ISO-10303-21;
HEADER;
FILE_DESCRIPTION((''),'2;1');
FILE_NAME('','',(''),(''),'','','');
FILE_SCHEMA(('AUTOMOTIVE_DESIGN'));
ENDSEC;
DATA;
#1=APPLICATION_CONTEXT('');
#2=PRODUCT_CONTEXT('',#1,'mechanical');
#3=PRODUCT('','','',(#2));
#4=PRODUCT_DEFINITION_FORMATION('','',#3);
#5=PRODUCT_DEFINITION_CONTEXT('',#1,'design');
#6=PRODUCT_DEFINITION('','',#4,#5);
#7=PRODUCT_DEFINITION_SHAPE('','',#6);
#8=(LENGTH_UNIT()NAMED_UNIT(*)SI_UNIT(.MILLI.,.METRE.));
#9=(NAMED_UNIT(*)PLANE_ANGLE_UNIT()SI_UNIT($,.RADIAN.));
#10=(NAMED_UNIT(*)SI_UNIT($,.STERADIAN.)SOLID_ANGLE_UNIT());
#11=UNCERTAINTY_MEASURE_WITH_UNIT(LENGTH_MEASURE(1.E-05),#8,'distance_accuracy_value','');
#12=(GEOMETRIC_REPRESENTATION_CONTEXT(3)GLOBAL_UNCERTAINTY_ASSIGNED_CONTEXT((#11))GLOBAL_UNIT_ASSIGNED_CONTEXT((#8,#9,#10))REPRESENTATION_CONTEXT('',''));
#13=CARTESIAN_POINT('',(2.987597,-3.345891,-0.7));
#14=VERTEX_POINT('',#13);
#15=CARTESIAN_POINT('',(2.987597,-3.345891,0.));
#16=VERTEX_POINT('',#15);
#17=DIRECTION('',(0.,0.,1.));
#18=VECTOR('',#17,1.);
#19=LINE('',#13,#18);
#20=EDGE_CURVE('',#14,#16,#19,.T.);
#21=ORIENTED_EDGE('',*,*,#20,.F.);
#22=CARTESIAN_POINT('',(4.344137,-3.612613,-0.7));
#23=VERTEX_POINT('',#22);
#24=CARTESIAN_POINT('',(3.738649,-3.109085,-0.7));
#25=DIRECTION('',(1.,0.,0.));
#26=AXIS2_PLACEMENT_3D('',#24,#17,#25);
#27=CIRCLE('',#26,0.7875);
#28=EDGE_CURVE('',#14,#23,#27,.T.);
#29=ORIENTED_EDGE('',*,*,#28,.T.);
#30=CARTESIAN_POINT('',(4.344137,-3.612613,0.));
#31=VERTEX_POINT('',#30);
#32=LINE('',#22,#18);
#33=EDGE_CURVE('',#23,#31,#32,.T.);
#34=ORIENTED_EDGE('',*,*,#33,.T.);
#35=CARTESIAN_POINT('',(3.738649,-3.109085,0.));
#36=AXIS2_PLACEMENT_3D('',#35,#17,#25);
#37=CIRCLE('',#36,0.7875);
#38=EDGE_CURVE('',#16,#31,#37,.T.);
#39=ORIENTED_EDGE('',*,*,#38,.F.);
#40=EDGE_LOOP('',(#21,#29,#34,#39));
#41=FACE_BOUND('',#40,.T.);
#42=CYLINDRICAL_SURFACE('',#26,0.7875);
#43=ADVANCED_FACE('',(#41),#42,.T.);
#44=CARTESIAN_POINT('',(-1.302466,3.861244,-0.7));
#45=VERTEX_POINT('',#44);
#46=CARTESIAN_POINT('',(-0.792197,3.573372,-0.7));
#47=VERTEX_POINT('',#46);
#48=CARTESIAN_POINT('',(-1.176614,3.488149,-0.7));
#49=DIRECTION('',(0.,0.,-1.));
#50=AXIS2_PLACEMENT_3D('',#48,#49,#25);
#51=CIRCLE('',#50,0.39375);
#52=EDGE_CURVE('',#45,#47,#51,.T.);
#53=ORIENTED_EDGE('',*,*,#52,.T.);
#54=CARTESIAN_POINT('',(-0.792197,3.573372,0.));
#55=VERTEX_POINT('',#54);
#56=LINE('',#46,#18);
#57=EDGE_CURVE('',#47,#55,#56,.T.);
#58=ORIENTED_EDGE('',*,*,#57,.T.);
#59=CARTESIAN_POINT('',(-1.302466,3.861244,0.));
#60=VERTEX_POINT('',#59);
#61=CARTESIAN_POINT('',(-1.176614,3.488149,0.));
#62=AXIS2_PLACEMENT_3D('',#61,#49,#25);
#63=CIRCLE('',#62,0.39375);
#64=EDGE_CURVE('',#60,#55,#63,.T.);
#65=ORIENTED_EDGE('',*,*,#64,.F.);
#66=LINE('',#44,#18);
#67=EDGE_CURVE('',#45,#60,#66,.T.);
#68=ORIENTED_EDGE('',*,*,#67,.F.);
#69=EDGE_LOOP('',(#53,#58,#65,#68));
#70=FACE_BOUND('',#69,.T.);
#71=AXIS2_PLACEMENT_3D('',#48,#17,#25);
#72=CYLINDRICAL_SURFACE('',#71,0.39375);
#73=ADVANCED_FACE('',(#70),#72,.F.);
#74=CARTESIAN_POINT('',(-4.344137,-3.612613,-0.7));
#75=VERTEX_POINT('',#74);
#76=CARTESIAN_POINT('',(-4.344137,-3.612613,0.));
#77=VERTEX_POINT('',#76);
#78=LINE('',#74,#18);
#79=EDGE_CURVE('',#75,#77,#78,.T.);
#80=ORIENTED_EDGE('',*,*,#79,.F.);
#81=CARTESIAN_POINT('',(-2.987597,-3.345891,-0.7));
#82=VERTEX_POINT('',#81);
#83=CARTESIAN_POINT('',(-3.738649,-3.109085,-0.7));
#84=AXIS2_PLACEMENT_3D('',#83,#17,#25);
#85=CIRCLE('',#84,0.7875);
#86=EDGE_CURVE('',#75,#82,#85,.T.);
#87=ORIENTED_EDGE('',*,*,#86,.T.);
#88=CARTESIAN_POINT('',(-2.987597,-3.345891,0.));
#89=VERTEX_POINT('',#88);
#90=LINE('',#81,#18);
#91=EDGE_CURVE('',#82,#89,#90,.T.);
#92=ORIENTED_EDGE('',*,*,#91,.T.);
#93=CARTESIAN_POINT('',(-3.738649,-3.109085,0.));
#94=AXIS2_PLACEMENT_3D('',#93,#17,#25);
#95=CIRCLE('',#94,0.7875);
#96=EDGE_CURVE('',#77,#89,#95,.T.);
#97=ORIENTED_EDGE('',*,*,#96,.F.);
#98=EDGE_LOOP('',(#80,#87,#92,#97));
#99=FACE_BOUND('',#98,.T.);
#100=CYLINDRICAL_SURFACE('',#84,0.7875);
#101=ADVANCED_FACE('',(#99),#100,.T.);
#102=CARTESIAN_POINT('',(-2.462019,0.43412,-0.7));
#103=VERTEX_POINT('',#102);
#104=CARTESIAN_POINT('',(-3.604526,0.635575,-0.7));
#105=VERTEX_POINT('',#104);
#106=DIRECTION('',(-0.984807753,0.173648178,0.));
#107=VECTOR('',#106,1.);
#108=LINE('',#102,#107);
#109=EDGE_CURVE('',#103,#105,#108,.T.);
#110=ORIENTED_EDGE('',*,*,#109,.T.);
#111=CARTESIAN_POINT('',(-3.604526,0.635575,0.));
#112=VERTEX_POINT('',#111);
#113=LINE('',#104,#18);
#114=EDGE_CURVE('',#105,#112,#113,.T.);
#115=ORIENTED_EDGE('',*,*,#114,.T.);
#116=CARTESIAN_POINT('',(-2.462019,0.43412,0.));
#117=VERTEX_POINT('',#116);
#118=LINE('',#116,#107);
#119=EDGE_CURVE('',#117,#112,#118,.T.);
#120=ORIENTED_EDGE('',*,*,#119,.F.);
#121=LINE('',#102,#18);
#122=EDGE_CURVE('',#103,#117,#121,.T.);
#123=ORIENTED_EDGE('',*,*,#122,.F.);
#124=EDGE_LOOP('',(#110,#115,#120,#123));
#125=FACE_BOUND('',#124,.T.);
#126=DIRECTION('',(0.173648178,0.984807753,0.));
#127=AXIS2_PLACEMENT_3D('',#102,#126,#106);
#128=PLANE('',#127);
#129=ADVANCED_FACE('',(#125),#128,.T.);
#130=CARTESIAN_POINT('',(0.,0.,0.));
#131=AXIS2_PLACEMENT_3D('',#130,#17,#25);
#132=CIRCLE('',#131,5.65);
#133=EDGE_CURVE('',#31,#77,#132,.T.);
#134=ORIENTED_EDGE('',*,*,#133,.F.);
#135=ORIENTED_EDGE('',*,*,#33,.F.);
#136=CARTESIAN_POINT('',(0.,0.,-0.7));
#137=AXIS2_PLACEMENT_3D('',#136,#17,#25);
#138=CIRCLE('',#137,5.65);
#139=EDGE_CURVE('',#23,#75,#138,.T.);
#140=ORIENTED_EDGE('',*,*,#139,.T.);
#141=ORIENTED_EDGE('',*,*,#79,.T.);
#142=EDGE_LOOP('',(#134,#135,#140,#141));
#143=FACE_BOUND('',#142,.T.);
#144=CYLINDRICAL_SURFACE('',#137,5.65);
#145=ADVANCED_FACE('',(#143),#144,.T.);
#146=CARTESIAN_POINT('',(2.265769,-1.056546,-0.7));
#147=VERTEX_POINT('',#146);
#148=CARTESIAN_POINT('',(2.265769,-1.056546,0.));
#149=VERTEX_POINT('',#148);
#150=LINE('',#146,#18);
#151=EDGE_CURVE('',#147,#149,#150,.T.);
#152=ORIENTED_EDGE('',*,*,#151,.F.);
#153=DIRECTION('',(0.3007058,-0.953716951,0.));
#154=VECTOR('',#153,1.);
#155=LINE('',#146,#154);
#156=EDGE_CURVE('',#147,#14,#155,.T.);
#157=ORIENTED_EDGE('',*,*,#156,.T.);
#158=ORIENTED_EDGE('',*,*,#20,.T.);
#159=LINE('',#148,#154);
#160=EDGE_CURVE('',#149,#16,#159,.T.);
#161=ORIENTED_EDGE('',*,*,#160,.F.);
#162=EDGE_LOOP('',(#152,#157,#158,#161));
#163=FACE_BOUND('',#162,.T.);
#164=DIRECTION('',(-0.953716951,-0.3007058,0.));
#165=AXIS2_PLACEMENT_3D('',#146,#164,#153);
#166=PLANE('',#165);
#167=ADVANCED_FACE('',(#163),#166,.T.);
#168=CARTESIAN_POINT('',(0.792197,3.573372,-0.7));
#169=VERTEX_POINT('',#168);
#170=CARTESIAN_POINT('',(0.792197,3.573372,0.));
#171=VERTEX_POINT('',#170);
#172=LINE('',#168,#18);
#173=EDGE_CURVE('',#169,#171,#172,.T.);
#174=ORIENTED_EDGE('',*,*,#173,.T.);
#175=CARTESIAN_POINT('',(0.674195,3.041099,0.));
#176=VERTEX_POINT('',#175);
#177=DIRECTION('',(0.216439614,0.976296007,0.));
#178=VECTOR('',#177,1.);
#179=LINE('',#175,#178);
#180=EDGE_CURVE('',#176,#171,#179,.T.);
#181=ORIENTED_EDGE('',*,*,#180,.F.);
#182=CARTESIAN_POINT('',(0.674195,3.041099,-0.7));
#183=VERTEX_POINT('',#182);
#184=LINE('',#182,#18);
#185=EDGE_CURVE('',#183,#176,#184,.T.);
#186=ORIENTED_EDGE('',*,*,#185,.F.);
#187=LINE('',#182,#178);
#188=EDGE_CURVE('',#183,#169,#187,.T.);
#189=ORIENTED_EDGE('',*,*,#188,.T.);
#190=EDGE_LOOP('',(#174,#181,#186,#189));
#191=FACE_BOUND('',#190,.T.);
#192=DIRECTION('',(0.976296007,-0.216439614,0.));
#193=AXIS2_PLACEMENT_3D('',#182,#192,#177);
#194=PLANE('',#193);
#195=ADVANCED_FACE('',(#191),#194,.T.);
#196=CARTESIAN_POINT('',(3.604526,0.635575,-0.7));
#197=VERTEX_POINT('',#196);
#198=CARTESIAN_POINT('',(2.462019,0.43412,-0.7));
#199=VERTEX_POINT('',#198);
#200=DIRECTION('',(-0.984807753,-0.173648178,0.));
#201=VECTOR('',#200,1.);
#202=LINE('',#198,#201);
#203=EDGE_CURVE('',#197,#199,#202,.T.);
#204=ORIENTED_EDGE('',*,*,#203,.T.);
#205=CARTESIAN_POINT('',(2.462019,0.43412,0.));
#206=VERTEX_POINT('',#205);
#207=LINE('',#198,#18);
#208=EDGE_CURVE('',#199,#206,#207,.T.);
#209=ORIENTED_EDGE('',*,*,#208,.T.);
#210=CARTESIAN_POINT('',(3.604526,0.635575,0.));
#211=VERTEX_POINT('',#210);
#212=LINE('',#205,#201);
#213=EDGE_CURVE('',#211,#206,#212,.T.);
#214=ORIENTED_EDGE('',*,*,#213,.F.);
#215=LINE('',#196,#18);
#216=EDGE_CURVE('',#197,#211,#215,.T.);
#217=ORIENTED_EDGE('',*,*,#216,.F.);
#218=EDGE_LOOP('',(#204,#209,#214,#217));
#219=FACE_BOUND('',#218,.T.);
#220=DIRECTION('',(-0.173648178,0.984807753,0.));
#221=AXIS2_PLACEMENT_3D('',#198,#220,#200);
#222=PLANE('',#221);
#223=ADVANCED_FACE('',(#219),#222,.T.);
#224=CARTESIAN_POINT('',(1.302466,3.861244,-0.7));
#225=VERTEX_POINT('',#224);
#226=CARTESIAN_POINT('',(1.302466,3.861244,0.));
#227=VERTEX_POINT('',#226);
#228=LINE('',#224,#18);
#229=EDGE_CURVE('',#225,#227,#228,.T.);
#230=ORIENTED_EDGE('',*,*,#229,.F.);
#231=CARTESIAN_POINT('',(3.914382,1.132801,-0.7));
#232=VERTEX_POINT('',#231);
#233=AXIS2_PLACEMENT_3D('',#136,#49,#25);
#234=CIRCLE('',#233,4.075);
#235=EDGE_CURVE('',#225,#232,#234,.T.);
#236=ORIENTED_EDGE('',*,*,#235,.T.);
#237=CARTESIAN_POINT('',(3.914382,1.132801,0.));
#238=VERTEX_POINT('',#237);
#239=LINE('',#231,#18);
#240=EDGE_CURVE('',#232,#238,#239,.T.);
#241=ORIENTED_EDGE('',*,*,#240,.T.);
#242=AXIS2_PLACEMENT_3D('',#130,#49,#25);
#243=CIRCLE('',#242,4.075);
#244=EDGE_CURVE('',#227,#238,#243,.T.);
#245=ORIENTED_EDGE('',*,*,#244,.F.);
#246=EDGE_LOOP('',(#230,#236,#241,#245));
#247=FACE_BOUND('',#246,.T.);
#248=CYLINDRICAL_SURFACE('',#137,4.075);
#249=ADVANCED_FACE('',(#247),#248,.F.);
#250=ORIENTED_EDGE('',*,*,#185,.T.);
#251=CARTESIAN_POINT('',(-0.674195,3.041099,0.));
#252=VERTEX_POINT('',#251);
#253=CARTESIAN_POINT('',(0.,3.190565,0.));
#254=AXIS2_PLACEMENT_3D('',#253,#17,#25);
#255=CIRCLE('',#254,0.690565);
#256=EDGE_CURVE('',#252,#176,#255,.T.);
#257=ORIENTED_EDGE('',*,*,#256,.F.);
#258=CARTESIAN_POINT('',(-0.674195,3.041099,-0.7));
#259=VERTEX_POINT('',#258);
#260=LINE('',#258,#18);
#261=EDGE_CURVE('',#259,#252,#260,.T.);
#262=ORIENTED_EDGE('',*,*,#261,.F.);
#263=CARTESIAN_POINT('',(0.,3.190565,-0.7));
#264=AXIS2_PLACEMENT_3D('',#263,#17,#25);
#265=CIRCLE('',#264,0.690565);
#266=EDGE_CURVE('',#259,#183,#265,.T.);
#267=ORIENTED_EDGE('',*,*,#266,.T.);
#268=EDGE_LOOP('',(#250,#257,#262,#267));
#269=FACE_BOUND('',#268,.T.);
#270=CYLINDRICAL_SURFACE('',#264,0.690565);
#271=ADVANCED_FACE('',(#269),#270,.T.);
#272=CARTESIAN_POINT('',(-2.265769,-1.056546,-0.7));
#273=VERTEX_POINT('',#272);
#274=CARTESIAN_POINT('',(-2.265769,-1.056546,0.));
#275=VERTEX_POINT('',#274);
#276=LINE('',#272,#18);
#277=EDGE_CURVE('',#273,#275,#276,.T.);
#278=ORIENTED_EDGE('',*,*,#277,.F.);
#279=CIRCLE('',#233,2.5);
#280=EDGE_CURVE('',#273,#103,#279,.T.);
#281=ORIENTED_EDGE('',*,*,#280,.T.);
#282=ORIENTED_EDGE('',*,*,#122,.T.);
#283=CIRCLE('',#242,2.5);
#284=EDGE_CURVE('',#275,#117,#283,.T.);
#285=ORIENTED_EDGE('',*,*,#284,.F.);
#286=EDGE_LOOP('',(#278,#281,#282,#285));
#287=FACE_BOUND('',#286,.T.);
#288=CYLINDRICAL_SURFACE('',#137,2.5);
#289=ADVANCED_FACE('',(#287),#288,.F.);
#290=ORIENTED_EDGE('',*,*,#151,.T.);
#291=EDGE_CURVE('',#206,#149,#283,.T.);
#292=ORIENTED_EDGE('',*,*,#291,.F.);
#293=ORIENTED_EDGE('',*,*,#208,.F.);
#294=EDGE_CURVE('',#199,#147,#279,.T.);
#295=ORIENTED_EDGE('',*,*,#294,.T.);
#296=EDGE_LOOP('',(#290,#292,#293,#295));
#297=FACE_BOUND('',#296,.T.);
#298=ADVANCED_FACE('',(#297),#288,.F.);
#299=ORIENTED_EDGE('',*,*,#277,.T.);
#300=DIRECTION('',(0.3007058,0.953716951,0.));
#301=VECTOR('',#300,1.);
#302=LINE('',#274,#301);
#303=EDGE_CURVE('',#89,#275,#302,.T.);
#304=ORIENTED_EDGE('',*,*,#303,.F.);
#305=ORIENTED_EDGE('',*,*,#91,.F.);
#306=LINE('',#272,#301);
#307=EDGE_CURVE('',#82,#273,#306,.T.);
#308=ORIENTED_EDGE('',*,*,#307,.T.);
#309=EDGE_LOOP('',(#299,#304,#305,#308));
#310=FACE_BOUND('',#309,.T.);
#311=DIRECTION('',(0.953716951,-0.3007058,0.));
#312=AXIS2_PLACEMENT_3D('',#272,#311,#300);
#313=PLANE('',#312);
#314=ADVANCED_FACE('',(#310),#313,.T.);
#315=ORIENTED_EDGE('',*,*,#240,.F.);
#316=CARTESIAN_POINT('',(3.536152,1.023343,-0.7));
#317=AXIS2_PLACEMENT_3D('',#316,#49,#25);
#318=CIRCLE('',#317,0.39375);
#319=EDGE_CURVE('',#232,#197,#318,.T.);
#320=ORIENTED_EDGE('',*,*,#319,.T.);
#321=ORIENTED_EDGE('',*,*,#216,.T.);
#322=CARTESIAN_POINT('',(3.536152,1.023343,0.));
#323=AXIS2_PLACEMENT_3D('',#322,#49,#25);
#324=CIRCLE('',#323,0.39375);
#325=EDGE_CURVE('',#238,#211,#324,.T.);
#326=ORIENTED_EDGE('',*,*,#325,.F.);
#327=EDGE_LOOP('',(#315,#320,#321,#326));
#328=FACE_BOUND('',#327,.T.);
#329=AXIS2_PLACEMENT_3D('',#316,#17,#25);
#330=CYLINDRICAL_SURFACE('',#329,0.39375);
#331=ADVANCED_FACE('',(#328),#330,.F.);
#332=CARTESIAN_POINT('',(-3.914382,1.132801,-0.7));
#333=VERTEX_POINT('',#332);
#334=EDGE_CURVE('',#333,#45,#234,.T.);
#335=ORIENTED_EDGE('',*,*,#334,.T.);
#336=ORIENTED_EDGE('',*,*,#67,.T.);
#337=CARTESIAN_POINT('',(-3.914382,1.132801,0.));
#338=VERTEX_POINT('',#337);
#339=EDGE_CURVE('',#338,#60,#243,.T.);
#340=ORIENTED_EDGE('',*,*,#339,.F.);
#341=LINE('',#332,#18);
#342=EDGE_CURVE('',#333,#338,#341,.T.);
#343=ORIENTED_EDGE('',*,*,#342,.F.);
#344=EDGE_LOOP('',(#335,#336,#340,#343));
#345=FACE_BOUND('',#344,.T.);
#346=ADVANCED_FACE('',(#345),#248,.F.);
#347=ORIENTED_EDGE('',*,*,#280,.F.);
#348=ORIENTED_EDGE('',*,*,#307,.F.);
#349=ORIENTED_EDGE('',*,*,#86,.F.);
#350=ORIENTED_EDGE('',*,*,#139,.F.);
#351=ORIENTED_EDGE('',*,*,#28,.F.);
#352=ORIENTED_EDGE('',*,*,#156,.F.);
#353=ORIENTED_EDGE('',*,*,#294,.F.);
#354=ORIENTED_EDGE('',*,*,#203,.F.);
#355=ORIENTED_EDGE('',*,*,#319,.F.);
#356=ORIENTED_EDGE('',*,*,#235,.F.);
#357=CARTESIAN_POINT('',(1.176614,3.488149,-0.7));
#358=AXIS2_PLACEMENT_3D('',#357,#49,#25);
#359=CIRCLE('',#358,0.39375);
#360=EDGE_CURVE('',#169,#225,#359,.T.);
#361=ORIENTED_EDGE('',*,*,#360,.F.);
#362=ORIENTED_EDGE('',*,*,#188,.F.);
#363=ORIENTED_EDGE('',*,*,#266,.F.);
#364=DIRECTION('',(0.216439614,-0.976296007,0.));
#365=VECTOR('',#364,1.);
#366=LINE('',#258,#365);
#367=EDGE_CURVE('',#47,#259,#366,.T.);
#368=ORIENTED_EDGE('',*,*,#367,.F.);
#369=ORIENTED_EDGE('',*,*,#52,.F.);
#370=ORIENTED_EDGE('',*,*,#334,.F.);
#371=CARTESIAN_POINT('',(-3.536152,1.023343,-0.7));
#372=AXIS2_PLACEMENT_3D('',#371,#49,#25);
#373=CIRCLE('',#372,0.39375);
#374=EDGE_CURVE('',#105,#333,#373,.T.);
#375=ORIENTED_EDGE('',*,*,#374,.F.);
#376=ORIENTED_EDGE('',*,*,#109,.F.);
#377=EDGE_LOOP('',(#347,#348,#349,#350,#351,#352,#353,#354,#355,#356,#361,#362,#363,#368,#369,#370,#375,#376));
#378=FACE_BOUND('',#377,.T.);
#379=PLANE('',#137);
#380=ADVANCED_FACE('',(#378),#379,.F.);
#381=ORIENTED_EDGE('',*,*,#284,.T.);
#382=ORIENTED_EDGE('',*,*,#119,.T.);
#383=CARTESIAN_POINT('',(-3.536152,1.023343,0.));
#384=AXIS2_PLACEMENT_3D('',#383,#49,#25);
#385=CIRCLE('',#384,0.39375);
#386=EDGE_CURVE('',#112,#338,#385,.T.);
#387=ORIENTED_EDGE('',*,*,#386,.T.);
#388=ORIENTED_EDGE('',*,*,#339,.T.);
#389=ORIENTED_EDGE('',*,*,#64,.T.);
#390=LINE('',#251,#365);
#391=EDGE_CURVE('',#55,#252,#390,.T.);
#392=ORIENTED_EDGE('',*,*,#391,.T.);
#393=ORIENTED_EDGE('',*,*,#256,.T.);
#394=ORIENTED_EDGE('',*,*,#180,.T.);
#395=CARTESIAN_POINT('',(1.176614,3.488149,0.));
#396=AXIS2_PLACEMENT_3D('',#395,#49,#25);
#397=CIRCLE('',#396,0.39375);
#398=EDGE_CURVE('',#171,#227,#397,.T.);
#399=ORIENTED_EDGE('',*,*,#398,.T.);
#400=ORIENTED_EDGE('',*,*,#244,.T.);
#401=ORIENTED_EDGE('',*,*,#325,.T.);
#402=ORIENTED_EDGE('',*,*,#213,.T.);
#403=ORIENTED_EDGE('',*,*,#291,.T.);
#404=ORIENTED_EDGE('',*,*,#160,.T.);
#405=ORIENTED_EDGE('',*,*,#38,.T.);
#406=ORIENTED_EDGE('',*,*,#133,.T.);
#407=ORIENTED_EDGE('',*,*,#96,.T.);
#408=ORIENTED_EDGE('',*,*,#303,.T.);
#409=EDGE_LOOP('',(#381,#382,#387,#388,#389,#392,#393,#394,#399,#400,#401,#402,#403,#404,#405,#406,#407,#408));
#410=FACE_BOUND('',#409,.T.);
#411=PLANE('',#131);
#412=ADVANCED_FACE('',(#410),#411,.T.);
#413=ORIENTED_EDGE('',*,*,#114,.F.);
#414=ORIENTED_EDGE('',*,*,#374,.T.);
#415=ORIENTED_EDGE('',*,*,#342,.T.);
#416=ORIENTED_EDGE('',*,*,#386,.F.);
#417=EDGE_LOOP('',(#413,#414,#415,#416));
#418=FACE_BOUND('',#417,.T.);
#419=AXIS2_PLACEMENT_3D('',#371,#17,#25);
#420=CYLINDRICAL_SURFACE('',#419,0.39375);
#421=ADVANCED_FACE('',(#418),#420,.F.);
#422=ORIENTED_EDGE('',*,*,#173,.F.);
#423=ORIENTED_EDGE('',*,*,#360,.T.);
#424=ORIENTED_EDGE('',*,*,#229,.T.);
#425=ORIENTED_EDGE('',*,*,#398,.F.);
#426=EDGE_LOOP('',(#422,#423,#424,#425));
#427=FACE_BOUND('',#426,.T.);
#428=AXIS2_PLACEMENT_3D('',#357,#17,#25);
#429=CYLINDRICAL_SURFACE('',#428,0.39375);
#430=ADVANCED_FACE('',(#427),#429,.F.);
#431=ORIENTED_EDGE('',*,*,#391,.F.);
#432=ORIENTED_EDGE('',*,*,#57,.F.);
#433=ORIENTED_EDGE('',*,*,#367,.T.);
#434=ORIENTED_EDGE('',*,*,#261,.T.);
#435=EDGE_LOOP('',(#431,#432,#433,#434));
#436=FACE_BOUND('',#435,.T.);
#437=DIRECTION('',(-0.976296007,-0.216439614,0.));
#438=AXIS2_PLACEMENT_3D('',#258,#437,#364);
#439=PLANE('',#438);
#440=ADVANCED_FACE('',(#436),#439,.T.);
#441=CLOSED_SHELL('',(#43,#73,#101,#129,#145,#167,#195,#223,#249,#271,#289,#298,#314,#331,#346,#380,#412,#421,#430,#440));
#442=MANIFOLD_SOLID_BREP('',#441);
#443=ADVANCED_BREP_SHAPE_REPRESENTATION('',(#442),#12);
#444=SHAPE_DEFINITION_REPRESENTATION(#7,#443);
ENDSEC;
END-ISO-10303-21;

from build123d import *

# Parameters (mm, degrees)
BODY_DEPTH = 0.7


with BuildPart() as part:
    # BodySke → Body (new body)
    with BuildSketch(Plane.XY):
        with BuildLine():
            Line((2.462019383, 0.434120444), (3.604525865, 0.635575163))
            ThreePointArc((3.604525865, 0.635575163), (3.87032579, 0.815096078), (3.914382064, 1.132800979))
            ThreePointArc((3.914382064, 1.132800979), (2.943633145, 2.817915702), (1.302465751, 3.861244355))
            ThreePointArc((1.302465751, 3.861244355), (0.983141527, 3.831088106), (0.792197446, 3.573371756))
            Line((0.792197446, 3.573371756), (0.674195425, 3.041099035))
            ThreePointArc((0.674195425, 3.041099035), (0, 2.5), (-0.674195425, 3.041099035))
            Line((-0.674195425, 3.041099035), (-0.792197446, 3.573371756))
            ThreePointArc((-0.792197446, 3.573371756), (-0.983141527, 3.831088106), (-1.302465751, 3.861244355))
            ThreePointArc((-1.302465751, 3.861244355), (-2.943633145, 2.817915702), (-3.914382064, 1.132800979))
            ThreePointArc((-3.914382064, 1.132800979), (-3.87032579, 0.815096078), (-3.604525865, 0.635575163))
            Line((-3.604525865, 0.635575163), (-2.462019383, 0.434120444))
            ThreePointArc((-2.462019383, 0.434120444), (-2.478612153, -0.326315481), (-2.265769468, -1.056545654))
            Line((-2.265769468, -1.056545654), (-2.987597149, -3.345890578))
            ThreePointArc((-2.987597149, -3.345890578), (-3.586720395, -3.881790315), (-4.34413743, -3.612612627))
            ThreePointArc((-4.34413743, -3.612612627), (0, 5.65), (4.34413743, -3.612612627))
            ThreePointArc((4.34413743, -3.612612627), (3.586720395, -3.881790315), (2.987597149, -3.345890578))
            Line((2.987597149, -3.345890578), (2.265769468, -1.056545654))
            ThreePointArc((2.265769468, -1.056545654), (2.478612153, -0.326315481), (2.462019383, 0.434120444))
        make_face()
    extrude(amount=-BODY_DEPTH)


solid = part.part
